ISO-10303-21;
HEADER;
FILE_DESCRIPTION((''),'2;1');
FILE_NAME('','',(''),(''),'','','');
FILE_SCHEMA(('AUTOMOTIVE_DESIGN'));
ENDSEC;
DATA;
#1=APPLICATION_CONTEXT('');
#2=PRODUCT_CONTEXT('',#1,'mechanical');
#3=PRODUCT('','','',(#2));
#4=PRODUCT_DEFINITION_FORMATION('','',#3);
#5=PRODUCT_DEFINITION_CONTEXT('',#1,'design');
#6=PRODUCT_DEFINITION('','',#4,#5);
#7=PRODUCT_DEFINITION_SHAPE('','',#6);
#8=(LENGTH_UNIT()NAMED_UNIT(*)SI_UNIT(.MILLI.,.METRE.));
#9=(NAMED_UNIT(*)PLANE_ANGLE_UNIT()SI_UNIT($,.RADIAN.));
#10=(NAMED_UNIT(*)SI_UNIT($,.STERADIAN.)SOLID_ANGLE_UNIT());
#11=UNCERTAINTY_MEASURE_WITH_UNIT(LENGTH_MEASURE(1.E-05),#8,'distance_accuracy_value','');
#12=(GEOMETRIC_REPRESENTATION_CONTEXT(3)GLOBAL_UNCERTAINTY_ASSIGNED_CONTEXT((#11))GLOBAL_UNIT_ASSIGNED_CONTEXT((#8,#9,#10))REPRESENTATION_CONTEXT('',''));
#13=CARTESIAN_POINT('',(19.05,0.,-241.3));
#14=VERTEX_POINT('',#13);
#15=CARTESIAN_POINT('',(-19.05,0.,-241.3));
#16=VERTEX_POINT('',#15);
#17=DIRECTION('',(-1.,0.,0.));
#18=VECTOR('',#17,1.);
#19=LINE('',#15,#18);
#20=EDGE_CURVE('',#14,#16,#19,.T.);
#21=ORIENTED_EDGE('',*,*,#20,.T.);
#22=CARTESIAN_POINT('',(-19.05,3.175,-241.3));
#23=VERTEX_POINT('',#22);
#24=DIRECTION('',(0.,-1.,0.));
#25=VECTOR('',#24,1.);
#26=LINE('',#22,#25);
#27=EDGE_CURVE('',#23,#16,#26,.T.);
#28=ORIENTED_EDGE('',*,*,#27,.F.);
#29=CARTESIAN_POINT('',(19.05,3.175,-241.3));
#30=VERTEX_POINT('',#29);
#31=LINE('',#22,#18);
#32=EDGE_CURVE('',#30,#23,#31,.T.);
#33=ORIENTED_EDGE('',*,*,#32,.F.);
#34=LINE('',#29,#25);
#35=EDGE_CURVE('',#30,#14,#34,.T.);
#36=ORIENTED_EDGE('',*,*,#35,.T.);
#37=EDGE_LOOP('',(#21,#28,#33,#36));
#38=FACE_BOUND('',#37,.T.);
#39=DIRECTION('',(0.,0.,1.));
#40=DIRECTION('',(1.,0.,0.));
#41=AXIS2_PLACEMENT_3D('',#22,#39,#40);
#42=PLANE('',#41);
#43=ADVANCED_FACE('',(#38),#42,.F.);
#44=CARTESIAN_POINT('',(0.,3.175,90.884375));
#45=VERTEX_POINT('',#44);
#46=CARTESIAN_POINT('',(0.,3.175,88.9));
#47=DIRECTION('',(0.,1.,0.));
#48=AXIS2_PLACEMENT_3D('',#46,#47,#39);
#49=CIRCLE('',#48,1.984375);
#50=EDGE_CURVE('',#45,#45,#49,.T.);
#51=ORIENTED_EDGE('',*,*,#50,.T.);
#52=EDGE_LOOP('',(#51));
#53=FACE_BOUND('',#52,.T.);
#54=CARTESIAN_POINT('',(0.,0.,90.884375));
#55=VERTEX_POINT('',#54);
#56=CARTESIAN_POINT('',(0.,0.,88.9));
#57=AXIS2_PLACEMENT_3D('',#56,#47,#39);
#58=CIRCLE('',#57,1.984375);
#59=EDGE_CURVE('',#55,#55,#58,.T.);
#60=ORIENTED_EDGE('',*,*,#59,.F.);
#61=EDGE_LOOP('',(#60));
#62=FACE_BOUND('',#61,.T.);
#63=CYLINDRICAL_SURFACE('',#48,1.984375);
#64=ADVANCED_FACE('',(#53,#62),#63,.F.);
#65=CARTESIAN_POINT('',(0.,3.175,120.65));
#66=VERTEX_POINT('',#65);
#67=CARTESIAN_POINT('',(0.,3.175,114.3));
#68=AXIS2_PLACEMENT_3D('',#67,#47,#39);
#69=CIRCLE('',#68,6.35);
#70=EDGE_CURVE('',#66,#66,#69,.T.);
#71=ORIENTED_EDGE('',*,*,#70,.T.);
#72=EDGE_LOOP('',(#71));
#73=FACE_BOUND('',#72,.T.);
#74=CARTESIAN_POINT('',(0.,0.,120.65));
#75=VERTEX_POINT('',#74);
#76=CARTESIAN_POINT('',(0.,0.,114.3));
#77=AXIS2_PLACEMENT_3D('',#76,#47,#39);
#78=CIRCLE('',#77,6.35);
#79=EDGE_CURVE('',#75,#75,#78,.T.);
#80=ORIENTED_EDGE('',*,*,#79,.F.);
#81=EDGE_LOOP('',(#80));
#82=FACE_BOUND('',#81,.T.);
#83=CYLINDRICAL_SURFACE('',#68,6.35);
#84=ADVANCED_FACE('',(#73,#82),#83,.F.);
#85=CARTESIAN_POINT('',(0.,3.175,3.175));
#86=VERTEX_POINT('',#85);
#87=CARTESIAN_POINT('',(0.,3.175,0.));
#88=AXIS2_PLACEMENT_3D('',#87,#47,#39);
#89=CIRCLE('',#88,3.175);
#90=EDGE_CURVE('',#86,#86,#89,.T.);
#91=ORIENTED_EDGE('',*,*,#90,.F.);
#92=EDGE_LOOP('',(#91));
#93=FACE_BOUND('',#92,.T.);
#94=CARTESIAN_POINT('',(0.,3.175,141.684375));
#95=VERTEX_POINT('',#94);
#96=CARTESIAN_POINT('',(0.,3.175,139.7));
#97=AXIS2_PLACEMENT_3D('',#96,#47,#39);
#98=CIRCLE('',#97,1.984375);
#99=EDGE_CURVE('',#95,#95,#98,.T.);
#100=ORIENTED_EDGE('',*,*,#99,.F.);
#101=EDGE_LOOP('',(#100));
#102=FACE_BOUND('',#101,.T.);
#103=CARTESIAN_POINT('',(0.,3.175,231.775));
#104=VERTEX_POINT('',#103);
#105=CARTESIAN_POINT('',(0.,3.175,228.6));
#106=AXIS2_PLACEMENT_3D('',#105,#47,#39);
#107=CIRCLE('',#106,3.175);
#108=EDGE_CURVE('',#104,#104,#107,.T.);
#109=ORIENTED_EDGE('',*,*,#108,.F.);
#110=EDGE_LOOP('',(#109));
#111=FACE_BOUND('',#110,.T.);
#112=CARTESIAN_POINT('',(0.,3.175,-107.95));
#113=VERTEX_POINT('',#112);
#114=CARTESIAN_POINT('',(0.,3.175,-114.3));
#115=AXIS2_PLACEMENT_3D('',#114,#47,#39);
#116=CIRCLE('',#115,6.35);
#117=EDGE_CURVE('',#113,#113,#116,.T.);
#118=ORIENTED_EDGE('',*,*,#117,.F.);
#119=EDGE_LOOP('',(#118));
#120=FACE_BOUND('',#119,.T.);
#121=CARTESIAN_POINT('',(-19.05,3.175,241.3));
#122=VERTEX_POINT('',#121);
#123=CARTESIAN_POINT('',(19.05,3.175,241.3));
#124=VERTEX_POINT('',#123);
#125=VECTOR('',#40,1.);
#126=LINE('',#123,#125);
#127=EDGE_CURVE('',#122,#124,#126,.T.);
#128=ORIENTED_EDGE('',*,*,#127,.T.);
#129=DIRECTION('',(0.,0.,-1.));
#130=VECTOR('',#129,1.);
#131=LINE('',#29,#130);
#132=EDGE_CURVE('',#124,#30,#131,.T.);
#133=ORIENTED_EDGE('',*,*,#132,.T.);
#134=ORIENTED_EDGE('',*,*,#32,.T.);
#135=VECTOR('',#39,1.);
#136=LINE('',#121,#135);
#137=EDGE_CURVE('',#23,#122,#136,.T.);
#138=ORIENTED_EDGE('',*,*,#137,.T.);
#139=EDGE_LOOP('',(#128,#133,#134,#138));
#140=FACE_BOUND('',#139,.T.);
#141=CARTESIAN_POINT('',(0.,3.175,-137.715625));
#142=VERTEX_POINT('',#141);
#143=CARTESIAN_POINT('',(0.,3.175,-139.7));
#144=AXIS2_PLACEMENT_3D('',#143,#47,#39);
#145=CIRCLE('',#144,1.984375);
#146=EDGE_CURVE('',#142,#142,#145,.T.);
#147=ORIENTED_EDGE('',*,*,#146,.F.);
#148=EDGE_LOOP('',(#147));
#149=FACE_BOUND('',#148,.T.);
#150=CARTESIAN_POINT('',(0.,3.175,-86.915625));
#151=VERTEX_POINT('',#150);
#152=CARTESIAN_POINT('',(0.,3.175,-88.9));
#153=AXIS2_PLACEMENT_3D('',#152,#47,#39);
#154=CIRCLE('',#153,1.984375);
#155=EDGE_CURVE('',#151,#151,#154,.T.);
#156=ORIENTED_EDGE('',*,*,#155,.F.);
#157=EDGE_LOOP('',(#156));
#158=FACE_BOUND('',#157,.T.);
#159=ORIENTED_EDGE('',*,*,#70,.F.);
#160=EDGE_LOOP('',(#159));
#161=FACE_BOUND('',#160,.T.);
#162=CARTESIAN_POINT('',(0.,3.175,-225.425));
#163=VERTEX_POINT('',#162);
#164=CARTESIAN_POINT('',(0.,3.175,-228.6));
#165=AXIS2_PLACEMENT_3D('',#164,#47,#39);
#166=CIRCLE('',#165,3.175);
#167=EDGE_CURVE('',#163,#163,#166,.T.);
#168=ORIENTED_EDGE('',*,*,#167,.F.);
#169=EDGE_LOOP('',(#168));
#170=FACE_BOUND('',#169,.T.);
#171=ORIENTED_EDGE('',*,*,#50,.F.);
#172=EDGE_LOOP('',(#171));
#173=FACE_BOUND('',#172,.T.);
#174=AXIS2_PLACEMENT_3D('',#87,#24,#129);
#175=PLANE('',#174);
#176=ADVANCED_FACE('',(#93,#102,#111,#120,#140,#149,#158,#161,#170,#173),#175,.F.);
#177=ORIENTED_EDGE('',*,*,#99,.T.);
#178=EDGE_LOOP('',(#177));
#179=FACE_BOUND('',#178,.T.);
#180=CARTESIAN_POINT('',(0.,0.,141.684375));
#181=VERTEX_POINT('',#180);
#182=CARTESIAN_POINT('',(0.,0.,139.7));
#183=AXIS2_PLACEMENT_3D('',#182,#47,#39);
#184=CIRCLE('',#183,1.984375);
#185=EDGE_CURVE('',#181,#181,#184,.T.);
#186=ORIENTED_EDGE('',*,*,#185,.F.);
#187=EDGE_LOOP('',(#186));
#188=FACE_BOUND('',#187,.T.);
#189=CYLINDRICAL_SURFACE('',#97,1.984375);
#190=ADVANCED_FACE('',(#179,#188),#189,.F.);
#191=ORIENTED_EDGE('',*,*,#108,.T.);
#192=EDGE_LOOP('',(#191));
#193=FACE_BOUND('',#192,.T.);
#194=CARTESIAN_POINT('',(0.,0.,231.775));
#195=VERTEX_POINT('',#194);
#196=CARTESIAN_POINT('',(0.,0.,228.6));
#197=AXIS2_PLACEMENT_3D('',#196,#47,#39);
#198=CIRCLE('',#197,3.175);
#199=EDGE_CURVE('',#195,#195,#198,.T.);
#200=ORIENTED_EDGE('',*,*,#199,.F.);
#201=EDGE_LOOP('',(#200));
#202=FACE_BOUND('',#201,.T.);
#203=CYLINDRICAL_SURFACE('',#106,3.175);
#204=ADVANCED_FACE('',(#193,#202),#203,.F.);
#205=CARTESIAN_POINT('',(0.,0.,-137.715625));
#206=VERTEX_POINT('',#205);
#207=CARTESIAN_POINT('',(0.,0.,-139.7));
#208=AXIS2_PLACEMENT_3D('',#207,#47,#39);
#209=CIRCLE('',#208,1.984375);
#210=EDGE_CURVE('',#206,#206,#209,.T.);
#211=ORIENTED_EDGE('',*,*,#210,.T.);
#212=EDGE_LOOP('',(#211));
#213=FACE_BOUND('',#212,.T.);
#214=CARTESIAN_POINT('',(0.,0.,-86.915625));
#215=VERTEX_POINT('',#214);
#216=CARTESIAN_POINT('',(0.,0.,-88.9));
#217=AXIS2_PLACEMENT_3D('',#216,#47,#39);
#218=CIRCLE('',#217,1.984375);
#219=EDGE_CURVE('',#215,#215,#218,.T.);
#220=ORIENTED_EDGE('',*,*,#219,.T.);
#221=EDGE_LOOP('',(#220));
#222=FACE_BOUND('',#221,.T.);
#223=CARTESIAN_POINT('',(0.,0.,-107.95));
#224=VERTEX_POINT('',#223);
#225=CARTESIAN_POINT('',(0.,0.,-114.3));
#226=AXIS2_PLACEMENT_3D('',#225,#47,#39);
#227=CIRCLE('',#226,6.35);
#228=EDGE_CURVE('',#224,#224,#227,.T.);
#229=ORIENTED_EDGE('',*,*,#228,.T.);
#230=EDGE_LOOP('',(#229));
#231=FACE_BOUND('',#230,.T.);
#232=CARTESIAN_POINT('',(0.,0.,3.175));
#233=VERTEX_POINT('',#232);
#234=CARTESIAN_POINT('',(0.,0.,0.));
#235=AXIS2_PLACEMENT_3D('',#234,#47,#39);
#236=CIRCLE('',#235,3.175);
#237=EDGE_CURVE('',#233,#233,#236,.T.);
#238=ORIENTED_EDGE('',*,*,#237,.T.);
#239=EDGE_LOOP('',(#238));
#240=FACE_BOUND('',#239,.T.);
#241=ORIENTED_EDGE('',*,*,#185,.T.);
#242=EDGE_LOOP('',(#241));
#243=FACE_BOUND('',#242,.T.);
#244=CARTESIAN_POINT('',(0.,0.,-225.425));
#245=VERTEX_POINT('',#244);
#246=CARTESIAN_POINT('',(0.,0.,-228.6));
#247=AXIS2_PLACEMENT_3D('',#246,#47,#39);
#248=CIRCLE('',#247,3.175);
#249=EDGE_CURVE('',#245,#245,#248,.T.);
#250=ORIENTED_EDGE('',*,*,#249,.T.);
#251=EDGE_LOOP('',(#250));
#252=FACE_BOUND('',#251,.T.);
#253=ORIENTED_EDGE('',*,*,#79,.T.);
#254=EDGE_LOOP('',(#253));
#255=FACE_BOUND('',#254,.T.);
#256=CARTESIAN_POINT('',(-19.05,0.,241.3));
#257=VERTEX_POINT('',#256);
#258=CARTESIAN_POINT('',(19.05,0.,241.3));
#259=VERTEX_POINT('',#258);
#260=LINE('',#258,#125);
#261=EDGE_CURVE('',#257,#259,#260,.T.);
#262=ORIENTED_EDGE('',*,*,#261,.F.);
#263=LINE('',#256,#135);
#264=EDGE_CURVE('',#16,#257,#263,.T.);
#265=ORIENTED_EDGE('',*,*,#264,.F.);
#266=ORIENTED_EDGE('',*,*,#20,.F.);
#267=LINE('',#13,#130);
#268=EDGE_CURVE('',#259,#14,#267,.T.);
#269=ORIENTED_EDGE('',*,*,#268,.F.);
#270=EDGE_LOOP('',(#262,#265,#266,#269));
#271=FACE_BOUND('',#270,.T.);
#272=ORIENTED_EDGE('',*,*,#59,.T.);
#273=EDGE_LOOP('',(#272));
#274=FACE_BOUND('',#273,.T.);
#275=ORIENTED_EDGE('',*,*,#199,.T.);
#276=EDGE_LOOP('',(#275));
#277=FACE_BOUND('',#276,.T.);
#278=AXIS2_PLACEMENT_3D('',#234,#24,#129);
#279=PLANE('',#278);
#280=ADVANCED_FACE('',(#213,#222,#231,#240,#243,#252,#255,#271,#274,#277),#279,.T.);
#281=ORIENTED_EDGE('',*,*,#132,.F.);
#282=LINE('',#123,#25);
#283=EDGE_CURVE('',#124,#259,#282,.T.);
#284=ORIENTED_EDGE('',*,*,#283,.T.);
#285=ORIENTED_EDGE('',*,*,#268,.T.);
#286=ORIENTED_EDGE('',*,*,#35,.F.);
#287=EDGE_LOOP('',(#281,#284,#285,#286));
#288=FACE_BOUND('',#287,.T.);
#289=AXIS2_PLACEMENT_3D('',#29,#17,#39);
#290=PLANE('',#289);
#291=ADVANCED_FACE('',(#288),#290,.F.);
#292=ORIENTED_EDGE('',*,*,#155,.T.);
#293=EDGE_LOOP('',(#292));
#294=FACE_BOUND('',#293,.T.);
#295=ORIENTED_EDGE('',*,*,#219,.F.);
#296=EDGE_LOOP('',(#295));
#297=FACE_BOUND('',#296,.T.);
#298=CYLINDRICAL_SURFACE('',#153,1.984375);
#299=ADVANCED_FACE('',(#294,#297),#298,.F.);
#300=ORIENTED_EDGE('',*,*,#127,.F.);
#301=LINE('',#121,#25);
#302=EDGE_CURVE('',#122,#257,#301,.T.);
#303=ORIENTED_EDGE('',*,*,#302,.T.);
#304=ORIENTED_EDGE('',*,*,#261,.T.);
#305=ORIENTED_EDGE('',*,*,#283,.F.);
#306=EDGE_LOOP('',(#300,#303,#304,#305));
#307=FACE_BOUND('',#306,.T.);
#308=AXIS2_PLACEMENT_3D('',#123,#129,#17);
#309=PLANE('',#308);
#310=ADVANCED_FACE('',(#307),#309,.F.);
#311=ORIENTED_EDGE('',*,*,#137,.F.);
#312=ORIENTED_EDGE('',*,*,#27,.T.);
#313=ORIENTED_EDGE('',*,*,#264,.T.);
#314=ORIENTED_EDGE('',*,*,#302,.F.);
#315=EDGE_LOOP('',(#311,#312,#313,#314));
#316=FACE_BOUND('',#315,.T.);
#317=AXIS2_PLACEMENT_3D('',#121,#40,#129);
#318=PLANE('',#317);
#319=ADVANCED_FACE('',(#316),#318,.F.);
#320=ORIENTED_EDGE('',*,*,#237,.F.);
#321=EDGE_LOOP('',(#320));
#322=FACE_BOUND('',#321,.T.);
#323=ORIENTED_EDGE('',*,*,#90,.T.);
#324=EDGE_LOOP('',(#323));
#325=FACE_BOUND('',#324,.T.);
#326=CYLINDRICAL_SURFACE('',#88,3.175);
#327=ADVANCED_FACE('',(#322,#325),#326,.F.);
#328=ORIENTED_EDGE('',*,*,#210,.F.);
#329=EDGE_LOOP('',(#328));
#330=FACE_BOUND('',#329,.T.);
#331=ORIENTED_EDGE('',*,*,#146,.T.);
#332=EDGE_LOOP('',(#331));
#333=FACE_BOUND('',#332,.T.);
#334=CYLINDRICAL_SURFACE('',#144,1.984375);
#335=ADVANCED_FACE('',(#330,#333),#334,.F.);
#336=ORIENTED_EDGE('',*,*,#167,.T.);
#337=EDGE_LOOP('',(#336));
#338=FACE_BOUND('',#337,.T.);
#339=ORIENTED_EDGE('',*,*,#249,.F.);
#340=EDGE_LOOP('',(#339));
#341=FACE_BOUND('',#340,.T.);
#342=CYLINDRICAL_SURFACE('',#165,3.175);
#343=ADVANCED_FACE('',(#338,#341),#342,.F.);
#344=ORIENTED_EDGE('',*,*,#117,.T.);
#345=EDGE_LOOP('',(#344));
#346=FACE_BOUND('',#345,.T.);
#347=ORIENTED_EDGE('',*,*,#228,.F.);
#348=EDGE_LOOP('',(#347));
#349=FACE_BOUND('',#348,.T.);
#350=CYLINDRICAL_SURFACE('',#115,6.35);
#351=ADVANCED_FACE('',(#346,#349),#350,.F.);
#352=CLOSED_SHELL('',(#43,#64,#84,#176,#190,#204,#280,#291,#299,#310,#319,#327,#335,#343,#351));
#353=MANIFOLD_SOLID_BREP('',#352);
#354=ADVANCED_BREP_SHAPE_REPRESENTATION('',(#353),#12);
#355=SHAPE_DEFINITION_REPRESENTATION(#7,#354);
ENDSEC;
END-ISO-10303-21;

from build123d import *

# Parameters (mm, degrees)
SKETCH1_W        = 38.1
SKETCH1_H        = 482.6
EXTRUSION1_DEPTH = 3.175
HOLE1_D          = 6.35
HOLE2_D          = 12.7
EXTRUSION2_START = -3.175
SKETCH6_R        = 6.35
EXTRUSION2_DEPTH = 3.175
HOLE3_D          = 12.7
HOLE4_D          = 3.96875


with BuildPart() as part:
    # Sketch1 → Extrusion1 (new body)
    with BuildSketch(Plane(origin=(0, 0, 0), x_dir=(-1, 0, 0), z_dir=(0, 1, 0))):
        Rectangle(SKETCH1_W, SKETCH1_H)
    extrude(amount=EXTRUSION1_DEPTH)

    # Hole1 (through all)
    with Locations(Plane(origin=(0, 3.175, 0), x_dir=(1, 0, 0), z_dir=(0, 1, 0))):
        with Locations((0, -228.6), (0, 228.6), (0, 0)):
            Hole(HOLE1_D / 2)

    # Hole2 (through all)
    with Locations(Plane(origin=(0, 3.175, 0), x_dir=(1, 0, 0), z_dir=(0, 1, 0))):
        with Locations((0, -101.6), (0, 101.6)):
            Hole(HOLE2_D / 2)

    # Sketch6 → Extrusion2 (add)
    with BuildSketch(Plane(origin=(0, 3.175, 0), x_dir=(1, 0, 0), z_dir=(0, 1, 0)).offset(EXTRUSION2_START)):
        with Locations((0, -101.6)):
            Circle(SKETCH6_R)
        with Locations((0, 101.6)):
            Circle(SKETCH6_R)
    extrude(amount=EXTRUSION2_DEPTH)

    # Hole3 (through all)
    with Locations(Plane(origin=(0, 3.175, 0), x_dir=(1, 0, 0), z_dir=(0, 1, 0))):
        with Locations((0, 114.3), (0, -114.3)):
            Hole(HOLE3_D / 2)

    # Hole4 (through all)
    with Locations(Plane(origin=(0, 3.175, 0), x_dir=(1, 0, 0), z_dir=(0, 1, 0))):
        with Locations((0, -88.9), (0, -139.7), (0, 88.9), (0, 139.7)):
            Hole(HOLE4_D / 2)


solid = part.part
